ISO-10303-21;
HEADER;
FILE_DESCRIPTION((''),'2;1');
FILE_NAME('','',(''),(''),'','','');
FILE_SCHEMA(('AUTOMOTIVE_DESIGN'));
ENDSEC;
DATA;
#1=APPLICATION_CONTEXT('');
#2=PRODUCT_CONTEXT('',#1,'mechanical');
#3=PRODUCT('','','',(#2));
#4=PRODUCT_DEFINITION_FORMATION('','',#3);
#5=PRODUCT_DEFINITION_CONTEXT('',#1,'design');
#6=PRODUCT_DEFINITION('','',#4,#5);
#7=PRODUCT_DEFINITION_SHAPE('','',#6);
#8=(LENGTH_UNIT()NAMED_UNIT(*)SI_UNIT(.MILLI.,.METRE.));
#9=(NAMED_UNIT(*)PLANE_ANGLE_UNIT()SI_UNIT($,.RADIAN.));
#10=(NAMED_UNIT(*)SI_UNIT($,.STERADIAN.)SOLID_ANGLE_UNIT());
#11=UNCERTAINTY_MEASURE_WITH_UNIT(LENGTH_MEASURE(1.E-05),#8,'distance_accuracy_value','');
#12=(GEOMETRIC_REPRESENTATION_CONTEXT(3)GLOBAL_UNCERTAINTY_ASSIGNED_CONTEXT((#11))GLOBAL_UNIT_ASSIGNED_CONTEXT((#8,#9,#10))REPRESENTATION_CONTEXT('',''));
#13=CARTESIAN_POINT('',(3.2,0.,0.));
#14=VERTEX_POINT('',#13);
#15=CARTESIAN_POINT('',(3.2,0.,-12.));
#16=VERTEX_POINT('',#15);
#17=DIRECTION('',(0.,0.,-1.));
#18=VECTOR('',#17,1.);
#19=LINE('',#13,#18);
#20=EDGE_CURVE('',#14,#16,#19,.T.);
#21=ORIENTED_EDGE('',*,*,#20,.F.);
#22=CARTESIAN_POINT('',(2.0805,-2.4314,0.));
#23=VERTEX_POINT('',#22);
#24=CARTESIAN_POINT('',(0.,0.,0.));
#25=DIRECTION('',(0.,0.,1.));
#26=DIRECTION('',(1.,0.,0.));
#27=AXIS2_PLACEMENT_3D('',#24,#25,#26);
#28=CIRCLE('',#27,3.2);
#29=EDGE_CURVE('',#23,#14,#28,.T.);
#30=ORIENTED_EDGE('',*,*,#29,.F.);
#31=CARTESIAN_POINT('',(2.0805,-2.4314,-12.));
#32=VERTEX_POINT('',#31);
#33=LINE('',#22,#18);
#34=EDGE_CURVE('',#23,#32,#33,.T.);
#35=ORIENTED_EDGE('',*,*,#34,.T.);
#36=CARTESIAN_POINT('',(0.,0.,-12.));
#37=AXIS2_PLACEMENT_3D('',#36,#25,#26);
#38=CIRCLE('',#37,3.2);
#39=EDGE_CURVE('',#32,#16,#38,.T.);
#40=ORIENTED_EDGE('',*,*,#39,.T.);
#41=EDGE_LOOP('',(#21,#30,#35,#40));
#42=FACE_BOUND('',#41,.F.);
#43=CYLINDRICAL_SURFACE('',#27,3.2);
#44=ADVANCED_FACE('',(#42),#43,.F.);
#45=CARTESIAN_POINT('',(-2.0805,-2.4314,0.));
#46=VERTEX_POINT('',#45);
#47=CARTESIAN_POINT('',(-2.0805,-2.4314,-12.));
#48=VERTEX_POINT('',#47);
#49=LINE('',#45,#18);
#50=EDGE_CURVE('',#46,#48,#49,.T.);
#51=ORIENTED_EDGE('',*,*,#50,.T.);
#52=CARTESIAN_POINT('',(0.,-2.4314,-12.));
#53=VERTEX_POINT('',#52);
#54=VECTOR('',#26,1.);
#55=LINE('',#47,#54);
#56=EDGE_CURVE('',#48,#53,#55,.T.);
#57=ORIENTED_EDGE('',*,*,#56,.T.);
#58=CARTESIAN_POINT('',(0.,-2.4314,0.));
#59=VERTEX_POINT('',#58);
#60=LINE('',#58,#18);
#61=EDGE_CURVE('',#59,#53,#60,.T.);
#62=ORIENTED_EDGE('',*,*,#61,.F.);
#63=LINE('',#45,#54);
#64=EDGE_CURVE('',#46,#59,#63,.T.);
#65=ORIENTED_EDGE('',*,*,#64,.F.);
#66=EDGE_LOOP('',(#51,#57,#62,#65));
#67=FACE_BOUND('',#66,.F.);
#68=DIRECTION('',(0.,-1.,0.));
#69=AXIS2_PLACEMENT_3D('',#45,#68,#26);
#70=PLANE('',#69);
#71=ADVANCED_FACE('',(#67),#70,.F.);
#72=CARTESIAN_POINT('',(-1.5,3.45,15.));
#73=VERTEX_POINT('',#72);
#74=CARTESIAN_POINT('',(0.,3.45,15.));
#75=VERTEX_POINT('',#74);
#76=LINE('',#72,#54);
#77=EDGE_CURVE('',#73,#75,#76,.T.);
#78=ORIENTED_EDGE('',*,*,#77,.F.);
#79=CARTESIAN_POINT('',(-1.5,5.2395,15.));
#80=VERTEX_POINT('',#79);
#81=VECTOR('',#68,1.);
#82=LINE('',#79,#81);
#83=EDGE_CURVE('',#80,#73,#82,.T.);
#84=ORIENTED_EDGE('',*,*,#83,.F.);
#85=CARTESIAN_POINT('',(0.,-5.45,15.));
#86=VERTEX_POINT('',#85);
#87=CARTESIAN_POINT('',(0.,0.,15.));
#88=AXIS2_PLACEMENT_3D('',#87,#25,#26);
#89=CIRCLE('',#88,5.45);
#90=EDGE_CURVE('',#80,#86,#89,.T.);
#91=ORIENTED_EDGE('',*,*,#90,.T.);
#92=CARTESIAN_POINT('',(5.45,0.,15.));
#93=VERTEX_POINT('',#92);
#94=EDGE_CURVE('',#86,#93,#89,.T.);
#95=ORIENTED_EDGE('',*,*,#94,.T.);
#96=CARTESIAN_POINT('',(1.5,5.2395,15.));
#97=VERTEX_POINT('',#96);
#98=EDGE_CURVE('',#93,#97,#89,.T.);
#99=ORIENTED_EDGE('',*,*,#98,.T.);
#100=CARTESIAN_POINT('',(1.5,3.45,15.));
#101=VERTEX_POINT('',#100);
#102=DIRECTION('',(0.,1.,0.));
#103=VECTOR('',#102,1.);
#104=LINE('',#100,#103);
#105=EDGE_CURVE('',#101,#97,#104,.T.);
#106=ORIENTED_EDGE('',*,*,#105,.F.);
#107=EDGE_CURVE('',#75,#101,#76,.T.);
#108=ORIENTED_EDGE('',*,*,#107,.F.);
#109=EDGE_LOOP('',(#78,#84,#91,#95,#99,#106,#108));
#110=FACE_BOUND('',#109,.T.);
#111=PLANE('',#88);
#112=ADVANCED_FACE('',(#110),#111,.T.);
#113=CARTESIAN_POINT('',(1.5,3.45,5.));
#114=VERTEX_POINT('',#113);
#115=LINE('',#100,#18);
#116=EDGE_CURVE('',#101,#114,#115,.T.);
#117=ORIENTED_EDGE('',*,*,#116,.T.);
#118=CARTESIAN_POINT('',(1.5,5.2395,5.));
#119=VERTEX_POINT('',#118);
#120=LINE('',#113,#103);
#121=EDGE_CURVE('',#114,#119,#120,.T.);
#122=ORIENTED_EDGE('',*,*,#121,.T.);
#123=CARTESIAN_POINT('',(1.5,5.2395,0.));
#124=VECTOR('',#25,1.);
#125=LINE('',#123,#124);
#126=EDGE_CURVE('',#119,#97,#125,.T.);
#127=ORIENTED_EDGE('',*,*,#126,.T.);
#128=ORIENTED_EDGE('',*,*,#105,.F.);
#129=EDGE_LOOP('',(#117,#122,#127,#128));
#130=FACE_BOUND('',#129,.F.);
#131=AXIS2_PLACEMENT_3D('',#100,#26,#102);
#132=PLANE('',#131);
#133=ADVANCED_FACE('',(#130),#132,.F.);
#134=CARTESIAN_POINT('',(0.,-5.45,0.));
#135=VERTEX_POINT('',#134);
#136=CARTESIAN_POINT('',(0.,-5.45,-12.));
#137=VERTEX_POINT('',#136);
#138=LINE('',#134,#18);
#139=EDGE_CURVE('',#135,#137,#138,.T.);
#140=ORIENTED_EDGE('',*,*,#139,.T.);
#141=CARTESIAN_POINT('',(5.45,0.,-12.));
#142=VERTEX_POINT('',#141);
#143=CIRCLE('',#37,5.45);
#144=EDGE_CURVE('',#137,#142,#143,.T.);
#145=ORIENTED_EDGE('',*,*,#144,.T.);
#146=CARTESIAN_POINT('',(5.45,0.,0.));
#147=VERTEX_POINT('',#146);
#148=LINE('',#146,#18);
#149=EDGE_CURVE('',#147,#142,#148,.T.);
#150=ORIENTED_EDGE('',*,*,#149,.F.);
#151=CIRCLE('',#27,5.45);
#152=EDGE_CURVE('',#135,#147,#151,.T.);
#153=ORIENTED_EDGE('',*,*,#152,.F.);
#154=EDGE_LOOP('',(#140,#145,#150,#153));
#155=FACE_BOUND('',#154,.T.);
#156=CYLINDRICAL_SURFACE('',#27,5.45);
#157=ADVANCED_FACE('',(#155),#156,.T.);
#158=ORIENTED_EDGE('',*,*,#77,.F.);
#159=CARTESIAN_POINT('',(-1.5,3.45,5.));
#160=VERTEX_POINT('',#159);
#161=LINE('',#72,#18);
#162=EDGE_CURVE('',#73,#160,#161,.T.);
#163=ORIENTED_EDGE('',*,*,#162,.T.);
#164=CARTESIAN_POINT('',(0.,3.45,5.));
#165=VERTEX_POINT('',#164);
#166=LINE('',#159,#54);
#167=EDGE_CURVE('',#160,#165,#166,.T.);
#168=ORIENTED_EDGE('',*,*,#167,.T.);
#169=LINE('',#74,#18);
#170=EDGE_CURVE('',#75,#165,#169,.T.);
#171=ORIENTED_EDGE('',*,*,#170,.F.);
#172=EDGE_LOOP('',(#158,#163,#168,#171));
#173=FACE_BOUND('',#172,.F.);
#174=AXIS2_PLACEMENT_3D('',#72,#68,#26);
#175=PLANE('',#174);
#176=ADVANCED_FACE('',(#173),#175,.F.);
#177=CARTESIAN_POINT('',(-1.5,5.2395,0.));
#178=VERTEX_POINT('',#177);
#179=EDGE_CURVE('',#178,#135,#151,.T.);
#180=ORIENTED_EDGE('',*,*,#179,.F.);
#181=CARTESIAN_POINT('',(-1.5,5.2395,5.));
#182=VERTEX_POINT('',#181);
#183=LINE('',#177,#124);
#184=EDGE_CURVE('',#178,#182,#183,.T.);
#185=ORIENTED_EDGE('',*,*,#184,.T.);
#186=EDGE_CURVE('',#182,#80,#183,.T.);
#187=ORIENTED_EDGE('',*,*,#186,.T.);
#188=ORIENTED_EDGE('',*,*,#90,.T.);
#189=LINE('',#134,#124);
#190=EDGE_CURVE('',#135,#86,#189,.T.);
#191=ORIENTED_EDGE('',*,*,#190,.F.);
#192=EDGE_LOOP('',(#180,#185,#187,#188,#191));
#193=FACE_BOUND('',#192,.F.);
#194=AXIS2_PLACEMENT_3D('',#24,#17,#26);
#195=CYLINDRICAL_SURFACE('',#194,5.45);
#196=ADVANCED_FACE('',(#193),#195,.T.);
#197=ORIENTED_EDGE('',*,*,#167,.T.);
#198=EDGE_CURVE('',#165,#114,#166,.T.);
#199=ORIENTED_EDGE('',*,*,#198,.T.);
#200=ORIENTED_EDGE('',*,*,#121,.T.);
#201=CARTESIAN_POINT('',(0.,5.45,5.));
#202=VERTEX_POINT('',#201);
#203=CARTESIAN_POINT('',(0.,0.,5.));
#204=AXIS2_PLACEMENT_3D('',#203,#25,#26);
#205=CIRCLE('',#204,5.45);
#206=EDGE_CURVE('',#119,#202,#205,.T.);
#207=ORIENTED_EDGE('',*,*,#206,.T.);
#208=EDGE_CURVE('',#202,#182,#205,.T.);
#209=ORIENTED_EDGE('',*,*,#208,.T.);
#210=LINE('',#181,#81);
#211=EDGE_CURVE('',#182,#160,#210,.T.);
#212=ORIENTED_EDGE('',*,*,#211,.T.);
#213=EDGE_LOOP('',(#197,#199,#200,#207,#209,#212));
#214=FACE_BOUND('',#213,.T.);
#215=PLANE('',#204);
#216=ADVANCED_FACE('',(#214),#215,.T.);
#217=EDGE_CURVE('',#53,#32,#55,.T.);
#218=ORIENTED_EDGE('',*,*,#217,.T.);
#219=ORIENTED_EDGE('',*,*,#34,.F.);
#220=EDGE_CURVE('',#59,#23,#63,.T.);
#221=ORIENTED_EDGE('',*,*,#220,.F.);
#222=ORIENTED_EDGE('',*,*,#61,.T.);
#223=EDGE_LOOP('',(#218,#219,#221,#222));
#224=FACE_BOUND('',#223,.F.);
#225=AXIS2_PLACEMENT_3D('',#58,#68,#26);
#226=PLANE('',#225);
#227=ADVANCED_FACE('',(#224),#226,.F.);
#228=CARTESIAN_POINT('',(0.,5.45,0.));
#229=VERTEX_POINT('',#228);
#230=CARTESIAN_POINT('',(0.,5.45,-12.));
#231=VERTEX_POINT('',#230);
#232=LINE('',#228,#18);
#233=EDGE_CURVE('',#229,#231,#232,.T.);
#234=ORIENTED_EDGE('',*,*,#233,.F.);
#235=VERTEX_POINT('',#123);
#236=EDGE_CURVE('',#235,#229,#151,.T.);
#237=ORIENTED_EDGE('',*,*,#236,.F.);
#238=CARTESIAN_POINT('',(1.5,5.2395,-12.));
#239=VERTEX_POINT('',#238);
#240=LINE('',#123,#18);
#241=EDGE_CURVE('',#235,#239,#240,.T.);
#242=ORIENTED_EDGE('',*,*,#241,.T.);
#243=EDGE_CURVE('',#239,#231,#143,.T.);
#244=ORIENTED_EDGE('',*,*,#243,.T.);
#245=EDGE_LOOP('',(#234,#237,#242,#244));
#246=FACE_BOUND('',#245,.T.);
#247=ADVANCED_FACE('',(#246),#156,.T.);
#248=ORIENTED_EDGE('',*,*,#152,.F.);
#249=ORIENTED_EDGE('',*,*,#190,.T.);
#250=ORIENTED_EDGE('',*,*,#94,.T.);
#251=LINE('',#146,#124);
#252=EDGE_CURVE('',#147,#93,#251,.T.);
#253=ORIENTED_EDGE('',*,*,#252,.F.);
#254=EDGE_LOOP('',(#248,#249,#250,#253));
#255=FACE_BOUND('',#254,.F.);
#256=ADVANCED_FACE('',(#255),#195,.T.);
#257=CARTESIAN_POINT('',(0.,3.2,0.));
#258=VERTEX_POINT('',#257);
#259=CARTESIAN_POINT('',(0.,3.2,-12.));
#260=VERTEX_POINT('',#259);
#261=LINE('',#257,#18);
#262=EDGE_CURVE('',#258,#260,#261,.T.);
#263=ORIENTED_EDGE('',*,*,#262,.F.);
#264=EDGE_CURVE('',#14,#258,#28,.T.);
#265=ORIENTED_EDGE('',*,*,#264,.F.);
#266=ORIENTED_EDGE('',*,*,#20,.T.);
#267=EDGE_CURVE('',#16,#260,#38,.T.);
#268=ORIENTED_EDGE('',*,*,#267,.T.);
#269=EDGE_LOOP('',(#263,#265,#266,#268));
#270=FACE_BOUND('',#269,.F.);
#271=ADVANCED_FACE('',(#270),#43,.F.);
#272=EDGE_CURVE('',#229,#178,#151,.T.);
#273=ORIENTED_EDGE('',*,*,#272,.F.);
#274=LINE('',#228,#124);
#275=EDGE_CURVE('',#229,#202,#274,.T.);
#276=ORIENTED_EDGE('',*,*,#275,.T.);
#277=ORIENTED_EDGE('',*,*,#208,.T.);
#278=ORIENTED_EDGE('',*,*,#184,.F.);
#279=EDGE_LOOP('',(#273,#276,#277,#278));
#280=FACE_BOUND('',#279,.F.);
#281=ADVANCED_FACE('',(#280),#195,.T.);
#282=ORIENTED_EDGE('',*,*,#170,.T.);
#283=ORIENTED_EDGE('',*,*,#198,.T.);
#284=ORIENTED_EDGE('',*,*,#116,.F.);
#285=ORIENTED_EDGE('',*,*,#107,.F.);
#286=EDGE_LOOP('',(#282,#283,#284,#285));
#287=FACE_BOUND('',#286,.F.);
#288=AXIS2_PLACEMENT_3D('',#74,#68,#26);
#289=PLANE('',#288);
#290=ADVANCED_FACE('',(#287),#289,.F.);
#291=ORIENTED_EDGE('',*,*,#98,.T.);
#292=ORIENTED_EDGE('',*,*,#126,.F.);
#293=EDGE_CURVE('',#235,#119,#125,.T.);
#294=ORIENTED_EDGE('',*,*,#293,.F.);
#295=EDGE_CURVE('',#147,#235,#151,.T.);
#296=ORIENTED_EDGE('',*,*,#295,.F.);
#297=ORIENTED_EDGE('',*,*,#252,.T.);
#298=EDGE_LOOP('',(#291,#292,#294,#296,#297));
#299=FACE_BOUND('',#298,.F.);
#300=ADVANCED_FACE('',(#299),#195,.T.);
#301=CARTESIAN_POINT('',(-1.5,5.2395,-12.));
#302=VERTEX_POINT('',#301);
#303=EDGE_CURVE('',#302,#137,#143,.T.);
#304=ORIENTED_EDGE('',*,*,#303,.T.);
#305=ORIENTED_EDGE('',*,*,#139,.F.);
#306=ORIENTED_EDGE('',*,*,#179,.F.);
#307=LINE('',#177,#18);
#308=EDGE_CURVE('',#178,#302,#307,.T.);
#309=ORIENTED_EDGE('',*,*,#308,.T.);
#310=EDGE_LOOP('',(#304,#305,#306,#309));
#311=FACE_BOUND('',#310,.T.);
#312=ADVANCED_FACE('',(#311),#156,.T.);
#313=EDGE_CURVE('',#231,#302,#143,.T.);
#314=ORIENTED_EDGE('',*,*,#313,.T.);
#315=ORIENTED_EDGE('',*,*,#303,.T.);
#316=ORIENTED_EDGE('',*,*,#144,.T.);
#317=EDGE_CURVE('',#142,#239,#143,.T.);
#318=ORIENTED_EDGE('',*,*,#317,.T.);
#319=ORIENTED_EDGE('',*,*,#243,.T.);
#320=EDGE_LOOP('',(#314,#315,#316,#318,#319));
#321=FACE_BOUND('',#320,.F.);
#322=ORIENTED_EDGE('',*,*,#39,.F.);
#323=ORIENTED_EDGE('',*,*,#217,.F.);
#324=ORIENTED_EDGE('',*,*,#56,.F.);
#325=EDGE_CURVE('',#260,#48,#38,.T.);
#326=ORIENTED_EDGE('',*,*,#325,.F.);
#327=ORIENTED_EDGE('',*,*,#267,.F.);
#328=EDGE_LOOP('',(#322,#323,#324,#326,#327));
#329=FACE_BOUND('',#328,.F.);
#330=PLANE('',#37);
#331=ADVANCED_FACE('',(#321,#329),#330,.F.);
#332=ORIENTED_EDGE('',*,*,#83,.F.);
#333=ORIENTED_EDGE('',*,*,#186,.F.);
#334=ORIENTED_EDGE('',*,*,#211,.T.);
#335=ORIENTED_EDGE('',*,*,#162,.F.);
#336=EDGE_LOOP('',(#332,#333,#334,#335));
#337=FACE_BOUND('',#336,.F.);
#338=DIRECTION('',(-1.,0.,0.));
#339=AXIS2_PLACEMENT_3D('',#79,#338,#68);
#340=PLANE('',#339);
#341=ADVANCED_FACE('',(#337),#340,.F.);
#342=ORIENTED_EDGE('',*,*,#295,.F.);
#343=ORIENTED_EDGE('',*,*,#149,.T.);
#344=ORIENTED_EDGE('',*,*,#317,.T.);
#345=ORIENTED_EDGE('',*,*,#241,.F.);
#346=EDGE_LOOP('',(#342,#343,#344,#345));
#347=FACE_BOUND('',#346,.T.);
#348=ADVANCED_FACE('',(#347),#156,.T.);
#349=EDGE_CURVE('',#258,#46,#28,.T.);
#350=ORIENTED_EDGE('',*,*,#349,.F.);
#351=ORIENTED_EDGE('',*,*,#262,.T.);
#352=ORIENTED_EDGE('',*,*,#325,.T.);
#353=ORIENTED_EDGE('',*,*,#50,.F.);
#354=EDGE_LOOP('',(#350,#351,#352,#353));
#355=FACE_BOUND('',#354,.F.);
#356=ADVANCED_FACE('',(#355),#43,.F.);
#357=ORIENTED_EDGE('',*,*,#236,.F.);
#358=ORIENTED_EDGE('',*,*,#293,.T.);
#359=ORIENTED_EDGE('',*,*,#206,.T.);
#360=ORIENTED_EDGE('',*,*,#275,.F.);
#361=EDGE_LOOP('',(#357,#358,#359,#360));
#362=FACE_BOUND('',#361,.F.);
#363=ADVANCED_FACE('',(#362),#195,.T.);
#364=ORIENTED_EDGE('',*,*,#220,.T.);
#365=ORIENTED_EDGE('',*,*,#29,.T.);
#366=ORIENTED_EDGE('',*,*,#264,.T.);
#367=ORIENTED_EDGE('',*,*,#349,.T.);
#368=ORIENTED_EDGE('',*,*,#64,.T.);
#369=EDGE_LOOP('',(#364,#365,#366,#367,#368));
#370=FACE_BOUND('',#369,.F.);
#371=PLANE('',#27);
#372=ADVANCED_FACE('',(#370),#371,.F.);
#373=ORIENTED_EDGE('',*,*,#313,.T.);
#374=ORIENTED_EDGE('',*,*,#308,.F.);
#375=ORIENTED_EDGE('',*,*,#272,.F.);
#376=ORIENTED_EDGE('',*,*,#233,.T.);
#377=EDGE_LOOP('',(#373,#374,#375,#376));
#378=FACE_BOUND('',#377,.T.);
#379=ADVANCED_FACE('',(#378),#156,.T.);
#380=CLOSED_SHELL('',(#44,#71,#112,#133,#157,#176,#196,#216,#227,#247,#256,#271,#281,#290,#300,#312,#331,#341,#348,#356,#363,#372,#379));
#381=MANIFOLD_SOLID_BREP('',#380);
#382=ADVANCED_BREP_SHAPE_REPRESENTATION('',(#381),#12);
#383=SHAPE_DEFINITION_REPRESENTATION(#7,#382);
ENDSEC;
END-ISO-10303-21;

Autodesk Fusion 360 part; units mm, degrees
sketch "Sketch1" plane through (0, 0, 0) normal (0, 0, 1) x (1, 0, 0)
  circle A0 centre (0, 0) radius 5.45
  line L0 (0, 7.5) -> (0, -6)
  line L1 (-1.5, 5.2395) -> (-1.5, 3.45)
  line L2 (-1.5, 3.45) -> (1.5, 3.45)
  line L3 (1.5, 3.45) -> (1.5, 5.2395)
  circle A1 centre (0, 0) radius 3.2
  line L4 (-2.0805, -2.4314) -> (2.0805, -2.4314)
  point P0 (0, 5.45)
  dimension "d1" = 10.9
  dimension "d2" = 2
  dimension "d3" = 3
  dimension "d4" = 6.4
  dimension "d5" = 4.161
extrude "Extrude1" add sketch "Sketch1" along normal blind 15
extrude "Extrude2" add sketch "Sketch1" against normal blind 12 contours A0 L0 L2 L3 A1 | A0 L0 L2 L3 | A0 L0 L1 L2 A1 | A0 L0 L1 L2 | L0 A1 L4 | L0 A1 L4 picked at (-0.1505, -2.9331) picked at (0.1505, -2.9331)
extrude "Extrude3" cut sketch "Sketch1" against normal blind 10 from surface at 15 contours A0 L0 L2 L3 | A0 L0 L1 L2
